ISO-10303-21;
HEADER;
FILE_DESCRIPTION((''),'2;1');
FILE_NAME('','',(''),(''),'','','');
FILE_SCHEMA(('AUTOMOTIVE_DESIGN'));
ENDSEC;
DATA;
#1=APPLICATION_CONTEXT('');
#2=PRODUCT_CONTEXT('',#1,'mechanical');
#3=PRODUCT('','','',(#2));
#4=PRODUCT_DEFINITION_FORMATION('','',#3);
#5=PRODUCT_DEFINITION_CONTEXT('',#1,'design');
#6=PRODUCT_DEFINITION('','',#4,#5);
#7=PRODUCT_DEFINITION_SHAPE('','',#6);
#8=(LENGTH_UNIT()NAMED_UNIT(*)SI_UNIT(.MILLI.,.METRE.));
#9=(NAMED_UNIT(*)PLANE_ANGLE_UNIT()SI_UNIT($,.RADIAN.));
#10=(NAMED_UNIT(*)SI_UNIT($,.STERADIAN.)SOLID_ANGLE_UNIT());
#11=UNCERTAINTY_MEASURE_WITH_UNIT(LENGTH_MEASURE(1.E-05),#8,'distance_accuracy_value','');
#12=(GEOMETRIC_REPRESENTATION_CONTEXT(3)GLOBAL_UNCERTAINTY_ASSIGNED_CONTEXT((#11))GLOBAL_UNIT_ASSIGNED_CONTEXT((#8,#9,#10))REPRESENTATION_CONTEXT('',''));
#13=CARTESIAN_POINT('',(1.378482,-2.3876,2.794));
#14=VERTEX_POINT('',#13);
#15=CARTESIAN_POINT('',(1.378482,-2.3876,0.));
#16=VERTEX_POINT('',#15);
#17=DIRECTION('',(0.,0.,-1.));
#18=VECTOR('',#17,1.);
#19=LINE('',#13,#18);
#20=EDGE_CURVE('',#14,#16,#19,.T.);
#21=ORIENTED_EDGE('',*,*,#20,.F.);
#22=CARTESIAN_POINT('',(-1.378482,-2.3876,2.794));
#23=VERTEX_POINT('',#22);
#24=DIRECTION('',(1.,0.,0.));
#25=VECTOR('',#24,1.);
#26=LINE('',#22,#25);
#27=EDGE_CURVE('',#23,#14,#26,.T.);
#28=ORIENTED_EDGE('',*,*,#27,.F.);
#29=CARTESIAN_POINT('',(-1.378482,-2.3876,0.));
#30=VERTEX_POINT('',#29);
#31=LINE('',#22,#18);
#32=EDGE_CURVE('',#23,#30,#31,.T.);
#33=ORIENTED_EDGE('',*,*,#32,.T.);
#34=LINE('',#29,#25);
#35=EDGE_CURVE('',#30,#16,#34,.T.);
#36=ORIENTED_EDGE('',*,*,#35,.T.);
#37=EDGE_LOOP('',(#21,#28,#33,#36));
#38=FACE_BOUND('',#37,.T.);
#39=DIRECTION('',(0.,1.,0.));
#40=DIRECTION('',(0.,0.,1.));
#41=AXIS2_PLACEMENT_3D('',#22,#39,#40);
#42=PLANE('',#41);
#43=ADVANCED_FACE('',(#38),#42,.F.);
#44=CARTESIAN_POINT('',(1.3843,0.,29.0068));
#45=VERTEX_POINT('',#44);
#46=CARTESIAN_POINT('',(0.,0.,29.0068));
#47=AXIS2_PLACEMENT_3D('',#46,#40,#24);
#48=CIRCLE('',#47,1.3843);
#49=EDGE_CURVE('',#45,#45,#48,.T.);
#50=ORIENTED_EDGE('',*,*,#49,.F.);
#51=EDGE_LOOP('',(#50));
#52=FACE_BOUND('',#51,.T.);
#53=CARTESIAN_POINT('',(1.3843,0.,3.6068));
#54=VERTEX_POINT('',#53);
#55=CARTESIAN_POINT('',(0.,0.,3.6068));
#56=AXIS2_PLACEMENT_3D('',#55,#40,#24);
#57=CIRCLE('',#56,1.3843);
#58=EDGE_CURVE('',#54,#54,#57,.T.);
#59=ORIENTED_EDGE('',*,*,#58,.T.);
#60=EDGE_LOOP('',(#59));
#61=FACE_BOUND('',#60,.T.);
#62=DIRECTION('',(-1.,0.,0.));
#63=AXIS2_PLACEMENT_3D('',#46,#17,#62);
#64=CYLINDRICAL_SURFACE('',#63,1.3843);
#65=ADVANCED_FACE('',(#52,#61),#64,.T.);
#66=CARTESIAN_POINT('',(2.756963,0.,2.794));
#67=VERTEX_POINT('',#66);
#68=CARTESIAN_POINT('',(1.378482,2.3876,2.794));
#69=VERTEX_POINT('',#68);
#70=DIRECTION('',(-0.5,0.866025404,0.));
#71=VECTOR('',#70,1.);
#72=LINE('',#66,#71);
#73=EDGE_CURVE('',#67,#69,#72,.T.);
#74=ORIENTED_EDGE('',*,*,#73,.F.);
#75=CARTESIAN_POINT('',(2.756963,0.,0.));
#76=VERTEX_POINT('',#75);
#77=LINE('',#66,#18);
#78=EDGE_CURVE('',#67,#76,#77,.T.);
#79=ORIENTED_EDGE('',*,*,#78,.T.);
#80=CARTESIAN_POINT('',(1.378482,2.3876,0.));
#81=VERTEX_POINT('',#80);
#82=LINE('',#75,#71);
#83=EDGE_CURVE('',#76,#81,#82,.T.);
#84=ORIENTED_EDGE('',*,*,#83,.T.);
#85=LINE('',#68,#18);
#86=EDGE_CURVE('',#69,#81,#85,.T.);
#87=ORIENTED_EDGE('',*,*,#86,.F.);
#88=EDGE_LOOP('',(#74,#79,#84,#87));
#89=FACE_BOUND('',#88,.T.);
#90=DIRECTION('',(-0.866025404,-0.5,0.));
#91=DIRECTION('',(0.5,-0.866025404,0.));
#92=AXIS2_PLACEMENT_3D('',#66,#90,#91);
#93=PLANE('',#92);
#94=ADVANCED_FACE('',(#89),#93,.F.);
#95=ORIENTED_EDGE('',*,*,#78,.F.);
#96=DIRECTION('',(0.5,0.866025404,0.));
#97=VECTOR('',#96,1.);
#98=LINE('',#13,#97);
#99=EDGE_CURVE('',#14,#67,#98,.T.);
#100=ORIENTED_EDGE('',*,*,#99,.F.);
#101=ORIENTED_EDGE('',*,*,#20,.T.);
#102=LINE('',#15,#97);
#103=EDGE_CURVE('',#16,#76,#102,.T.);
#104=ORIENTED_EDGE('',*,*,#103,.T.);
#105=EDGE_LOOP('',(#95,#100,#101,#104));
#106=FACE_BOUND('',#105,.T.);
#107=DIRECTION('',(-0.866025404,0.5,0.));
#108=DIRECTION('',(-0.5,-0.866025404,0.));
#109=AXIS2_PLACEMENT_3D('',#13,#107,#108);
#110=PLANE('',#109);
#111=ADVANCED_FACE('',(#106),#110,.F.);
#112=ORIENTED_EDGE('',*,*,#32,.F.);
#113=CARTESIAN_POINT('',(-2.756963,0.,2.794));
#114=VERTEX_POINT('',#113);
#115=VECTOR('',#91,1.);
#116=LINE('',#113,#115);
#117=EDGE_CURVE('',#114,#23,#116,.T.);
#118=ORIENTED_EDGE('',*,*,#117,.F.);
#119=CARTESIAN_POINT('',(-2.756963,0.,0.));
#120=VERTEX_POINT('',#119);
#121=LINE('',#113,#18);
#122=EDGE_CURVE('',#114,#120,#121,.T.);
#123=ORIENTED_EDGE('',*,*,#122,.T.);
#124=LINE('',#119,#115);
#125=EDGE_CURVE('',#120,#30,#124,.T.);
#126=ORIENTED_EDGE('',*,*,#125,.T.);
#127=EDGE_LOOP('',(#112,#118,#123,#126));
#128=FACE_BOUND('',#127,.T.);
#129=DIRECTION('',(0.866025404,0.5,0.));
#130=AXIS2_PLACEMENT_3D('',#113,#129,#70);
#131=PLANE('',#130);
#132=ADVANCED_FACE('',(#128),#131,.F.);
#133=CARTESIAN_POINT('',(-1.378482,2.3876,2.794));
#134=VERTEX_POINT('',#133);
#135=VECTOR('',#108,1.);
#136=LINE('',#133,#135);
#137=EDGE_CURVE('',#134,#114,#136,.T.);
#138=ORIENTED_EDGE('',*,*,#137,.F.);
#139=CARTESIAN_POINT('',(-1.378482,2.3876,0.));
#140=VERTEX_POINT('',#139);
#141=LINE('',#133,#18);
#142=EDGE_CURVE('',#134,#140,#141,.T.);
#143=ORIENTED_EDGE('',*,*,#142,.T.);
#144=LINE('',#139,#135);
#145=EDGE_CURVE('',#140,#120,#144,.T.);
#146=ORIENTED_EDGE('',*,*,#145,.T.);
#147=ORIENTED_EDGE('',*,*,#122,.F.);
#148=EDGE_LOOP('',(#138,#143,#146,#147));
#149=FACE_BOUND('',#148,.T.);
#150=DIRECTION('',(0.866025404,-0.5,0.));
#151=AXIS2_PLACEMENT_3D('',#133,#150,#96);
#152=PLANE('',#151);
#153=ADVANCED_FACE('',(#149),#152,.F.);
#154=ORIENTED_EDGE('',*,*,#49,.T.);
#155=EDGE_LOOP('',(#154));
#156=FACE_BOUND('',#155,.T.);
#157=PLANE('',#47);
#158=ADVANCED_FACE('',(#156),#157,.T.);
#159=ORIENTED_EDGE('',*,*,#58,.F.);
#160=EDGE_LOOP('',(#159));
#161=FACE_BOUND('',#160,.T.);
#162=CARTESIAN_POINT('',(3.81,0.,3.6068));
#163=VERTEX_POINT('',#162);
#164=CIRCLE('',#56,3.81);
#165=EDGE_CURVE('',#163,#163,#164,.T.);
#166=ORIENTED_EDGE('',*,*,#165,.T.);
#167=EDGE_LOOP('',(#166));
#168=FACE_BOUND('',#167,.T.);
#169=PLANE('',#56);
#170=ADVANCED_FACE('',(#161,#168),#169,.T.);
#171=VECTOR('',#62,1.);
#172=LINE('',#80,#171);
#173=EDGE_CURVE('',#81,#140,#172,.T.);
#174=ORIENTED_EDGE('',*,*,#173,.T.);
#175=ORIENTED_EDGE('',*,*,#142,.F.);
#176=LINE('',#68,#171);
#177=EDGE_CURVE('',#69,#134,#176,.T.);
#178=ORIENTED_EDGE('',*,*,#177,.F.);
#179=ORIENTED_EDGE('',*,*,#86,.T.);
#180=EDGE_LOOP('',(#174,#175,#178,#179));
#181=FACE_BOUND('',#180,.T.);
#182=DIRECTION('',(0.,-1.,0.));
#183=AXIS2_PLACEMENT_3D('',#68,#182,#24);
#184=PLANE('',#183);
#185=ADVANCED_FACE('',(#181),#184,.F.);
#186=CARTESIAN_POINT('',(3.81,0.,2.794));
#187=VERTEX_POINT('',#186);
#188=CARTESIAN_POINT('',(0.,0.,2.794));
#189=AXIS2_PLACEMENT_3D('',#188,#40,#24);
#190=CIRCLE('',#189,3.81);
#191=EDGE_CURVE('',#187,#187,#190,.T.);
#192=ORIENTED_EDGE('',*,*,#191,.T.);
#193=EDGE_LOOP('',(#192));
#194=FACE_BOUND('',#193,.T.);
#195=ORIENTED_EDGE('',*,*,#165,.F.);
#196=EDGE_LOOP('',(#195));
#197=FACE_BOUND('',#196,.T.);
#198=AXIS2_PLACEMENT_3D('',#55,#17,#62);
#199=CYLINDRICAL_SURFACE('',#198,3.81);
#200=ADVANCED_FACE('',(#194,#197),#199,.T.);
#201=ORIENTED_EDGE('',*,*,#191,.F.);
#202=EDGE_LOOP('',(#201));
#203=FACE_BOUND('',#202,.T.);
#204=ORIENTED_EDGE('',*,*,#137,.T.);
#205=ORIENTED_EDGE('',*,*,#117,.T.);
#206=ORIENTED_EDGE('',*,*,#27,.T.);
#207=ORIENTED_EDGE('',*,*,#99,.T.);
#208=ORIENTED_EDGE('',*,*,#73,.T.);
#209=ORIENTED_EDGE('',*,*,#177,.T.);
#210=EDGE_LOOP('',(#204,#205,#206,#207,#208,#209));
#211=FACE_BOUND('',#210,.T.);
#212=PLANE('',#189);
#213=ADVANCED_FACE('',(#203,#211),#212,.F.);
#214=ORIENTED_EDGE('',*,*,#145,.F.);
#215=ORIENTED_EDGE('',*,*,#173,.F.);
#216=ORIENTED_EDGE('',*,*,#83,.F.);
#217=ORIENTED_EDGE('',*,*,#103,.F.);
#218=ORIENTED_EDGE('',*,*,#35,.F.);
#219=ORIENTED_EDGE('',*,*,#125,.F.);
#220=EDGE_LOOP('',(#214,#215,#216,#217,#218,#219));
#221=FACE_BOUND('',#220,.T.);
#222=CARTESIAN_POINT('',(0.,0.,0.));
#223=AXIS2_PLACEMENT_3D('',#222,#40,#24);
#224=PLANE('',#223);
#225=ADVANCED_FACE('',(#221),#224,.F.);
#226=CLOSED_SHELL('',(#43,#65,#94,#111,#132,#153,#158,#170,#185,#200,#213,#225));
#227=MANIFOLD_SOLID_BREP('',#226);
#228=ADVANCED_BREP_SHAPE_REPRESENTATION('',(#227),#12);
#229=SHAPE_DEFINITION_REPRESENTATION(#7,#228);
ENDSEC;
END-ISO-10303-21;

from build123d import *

# Parameters (mm, degrees)
BOSS_EXTRUDE1_DEPTH = 2.794
SKETCH2_R           = 3.81
BOSS_EXTRUDE2_DEPTH = 0.8128
SKETCH3_R           = 1.3843
BOSS_EXTRUDE3_DEPTH = 25.4


with BuildPart() as part:
    # Sketch1 → Boss-Extrude1 (new body)
    with BuildSketch(Plane.XY):
        Polygon((2.756963005, 0), (1.378481503, 2.3876), (-1.378481503, 2.3876), (-2.756963005, 0), (-1.378481503, -2.3876), (1.378481503, -2.3876), align=None)
    extrude(amount=BOSS_EXTRUDE1_DEPTH)

    # Sketch2 → Boss-Extrude2 (add)
    with BuildSketch(Plane.XY.offset(2.794)):
        Circle(SKETCH2_R)
    extrude(amount=BOSS_EXTRUDE2_DEPTH)

    # Sketch3 → Boss-Extrude3 (add)
    with BuildSketch(Plane.XY.offset(3.6068)):
        Circle(SKETCH3_R)
    extrude(amount=BOSS_EXTRUDE3_DEPTH)


solid = part.part
